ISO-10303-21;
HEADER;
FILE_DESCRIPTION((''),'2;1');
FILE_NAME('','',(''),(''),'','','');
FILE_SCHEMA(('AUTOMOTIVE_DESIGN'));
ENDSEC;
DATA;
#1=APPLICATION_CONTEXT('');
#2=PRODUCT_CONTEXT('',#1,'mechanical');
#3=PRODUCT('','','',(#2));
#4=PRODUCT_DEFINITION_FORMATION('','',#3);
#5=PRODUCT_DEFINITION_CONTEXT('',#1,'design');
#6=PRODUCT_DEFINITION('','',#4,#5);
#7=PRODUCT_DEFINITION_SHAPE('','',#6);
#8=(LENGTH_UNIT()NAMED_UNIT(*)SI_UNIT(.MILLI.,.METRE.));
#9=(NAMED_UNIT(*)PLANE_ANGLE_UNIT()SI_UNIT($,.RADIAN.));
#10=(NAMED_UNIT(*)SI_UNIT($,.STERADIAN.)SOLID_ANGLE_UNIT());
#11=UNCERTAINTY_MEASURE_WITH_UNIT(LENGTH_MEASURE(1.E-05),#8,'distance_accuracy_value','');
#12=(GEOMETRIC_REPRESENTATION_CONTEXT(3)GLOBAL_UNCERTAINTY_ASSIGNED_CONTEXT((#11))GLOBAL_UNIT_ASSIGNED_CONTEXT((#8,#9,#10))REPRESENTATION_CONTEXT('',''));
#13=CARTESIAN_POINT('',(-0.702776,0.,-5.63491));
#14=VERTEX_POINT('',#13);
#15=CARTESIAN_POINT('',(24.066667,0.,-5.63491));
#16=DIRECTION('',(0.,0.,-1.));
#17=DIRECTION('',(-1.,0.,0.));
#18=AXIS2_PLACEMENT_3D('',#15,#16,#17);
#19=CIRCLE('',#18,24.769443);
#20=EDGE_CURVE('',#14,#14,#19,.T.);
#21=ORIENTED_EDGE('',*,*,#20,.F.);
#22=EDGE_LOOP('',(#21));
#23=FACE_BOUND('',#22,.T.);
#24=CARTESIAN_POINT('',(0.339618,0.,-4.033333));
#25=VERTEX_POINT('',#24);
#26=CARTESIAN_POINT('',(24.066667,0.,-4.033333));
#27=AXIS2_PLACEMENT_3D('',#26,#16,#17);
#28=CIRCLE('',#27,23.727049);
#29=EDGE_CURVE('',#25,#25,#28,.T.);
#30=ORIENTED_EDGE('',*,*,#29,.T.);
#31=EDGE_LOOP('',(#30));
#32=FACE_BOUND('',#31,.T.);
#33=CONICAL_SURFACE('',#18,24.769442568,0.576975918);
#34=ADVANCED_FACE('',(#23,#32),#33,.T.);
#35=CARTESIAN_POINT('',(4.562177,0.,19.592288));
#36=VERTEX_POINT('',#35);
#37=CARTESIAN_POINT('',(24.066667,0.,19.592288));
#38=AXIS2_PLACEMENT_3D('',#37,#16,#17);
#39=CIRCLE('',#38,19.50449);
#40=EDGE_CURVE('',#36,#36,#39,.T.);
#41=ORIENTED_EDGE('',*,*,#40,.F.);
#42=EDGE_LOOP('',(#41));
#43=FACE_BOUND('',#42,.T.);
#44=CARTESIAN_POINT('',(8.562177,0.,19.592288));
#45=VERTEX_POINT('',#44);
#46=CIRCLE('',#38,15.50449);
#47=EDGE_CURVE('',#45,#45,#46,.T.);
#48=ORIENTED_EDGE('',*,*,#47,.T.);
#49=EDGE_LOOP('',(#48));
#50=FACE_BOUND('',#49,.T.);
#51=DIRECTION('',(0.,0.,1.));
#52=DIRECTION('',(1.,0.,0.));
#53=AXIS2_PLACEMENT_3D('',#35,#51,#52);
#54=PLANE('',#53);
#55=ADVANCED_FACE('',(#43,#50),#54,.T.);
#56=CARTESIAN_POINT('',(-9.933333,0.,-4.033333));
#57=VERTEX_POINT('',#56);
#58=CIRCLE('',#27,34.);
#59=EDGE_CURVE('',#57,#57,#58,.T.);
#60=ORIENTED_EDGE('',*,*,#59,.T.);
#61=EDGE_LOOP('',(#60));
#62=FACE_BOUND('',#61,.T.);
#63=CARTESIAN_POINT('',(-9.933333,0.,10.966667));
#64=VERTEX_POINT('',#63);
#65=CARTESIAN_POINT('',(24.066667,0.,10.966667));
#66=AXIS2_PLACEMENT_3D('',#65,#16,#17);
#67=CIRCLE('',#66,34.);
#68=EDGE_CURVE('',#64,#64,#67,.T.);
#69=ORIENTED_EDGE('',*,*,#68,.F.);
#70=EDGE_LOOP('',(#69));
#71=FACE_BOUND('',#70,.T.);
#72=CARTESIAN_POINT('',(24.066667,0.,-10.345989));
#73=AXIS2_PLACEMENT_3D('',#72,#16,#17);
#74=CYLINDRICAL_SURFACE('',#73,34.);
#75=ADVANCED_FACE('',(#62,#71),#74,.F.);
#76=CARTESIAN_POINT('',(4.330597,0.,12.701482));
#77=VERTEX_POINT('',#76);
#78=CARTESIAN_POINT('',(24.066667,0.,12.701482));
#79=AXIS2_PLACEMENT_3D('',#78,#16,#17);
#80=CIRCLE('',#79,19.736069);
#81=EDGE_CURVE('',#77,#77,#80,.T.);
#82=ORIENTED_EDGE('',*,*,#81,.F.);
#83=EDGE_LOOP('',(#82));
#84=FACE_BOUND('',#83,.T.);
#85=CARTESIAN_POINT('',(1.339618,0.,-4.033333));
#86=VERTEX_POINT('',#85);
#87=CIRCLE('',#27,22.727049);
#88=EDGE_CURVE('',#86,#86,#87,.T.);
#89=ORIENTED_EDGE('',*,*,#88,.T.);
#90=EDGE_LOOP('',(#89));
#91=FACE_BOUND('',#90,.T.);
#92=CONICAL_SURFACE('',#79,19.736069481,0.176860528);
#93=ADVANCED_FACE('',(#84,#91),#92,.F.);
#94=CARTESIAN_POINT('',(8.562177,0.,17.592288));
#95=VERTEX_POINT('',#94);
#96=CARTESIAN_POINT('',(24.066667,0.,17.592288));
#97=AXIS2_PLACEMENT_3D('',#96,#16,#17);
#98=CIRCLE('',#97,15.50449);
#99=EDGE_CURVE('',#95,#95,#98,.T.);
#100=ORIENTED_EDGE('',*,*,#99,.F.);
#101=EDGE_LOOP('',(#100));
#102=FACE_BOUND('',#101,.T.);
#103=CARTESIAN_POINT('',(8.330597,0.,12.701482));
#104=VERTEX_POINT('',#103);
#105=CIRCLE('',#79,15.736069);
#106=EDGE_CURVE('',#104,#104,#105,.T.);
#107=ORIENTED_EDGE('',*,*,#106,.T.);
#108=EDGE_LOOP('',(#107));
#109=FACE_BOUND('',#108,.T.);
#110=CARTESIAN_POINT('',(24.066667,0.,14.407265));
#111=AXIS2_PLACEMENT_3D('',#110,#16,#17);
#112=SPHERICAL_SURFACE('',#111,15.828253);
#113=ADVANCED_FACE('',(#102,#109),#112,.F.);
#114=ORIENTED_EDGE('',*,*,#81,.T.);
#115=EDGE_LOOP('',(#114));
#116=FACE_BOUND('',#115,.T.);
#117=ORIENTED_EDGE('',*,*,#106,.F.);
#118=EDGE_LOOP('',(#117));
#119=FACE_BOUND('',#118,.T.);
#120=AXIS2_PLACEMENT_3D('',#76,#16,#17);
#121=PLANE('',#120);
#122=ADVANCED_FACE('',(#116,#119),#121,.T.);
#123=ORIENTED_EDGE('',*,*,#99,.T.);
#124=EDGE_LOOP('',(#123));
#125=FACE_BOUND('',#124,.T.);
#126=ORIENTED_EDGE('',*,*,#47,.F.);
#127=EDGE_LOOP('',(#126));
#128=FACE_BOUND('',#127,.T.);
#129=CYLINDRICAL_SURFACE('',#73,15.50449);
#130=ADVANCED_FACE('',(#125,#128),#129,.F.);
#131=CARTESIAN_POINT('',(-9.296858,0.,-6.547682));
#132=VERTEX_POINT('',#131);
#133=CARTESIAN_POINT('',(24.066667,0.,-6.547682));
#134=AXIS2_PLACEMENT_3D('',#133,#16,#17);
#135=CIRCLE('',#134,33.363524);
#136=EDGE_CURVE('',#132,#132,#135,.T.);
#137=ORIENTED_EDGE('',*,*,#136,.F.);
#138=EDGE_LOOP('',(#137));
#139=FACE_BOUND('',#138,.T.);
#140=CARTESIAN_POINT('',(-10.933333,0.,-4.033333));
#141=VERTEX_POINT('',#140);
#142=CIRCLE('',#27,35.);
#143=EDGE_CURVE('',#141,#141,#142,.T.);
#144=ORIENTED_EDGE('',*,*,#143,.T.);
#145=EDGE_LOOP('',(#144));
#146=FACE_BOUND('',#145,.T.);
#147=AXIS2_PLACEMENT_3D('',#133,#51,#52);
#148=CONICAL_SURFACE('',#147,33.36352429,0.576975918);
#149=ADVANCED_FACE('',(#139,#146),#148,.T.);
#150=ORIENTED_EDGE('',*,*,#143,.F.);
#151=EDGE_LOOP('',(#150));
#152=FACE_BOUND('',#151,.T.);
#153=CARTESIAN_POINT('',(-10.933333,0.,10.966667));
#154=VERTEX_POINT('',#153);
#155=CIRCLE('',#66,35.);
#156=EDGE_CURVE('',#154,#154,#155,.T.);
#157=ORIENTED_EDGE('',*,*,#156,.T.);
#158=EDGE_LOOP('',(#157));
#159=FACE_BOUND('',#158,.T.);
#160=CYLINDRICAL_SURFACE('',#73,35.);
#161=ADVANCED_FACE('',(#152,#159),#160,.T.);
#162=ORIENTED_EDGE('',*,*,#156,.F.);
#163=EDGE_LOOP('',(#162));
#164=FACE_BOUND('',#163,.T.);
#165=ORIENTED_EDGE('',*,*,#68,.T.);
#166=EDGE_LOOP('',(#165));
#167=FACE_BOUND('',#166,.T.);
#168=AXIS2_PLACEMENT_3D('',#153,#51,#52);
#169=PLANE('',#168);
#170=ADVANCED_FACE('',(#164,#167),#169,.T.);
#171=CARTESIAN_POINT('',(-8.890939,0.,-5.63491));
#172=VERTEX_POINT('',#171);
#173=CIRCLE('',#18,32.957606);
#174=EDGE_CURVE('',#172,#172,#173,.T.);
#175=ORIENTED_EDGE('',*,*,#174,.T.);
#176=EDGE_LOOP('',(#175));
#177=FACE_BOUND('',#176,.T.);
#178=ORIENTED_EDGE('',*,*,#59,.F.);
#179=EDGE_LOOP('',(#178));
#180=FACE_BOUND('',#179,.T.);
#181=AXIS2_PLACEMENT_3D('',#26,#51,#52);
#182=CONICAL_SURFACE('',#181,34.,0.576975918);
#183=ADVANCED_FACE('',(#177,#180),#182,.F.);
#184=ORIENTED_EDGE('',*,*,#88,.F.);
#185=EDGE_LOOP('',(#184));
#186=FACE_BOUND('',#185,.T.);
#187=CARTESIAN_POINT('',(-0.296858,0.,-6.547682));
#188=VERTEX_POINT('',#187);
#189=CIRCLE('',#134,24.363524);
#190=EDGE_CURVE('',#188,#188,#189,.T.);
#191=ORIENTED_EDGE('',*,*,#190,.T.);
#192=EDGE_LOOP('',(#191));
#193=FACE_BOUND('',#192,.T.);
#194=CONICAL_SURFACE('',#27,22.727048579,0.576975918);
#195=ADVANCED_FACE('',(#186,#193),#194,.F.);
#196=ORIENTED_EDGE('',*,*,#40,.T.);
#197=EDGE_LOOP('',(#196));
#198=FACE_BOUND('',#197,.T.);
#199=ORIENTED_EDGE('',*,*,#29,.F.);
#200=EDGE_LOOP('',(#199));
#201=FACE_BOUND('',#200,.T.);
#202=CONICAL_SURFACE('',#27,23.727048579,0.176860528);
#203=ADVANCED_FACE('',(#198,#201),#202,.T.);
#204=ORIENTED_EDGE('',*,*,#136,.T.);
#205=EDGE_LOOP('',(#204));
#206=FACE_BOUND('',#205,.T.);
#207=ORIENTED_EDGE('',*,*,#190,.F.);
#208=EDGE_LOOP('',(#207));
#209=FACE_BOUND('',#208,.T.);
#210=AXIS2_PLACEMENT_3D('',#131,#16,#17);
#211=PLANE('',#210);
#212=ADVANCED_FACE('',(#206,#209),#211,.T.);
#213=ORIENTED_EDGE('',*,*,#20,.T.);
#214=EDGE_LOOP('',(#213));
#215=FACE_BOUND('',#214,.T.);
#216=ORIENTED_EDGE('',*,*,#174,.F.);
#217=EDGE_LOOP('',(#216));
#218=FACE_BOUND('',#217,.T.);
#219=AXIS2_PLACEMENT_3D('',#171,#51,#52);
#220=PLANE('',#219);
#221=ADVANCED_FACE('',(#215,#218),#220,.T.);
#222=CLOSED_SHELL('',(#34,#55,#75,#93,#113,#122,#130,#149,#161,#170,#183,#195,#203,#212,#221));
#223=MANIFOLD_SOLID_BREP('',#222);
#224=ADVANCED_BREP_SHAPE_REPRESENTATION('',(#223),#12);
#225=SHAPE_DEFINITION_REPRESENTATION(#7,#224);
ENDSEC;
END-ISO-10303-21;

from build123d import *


with BuildPart() as part:
    # Sketch4 → Revolve1 (revolve)
    with BuildSketch(Plane(origin=(0, 0, 0), x_dir=(1, 0, 0), z_dir=(0, 1, 0))):
        with BuildLine():
            Line((-10.933333333, -10.966666667), (-9.933333333, -10.966666667))
            Line((-9.933333333, -10.966666667), (-9.933333333, 4.033333333))
            Line((-9.933333333, 4.033333333), (-8.890939345, 5.63491013))
            Line((-8.890939345, 5.63491013), (-0.702775901, 5.63491013))
            Line((-0.702775901, 5.63491013), (0.339618087, 4.033333333))
            Line((0.339618087, 4.033333333), (4.562176814, -19.592288305))
            Line((4.562176814, -19.592288305), (8.562176814, -19.592288305))
            Line((8.562176814, -19.592288305), (8.562176814, -17.592288305))
            ThreePointArc((8.562176814, -17.592288305), (8.256127983, -15.155893912), (8.330597185, -12.701481994))
            Line((8.330597185, -12.701481994), (4.330597185, -12.701481994))
            Line((4.330597185, -12.701481994), (1.339618087, 4.033333333))
            Line((1.339618087, 4.033333333), (-0.296857623, 6.547681609))
            Line((-0.296857623, 6.547681609), (-9.296857623, 6.547681609))
            Line((-9.296857623, 6.547681609), (-10.933333333, 4.033333333))
            Line((-10.933333333, 4.033333333), (-10.933333333, -10.966666667))
        make_face()
    revolve(axis=Axis((24.066666667, 0, -10.345988756), (0, 0, 1)))


solid = part.part
